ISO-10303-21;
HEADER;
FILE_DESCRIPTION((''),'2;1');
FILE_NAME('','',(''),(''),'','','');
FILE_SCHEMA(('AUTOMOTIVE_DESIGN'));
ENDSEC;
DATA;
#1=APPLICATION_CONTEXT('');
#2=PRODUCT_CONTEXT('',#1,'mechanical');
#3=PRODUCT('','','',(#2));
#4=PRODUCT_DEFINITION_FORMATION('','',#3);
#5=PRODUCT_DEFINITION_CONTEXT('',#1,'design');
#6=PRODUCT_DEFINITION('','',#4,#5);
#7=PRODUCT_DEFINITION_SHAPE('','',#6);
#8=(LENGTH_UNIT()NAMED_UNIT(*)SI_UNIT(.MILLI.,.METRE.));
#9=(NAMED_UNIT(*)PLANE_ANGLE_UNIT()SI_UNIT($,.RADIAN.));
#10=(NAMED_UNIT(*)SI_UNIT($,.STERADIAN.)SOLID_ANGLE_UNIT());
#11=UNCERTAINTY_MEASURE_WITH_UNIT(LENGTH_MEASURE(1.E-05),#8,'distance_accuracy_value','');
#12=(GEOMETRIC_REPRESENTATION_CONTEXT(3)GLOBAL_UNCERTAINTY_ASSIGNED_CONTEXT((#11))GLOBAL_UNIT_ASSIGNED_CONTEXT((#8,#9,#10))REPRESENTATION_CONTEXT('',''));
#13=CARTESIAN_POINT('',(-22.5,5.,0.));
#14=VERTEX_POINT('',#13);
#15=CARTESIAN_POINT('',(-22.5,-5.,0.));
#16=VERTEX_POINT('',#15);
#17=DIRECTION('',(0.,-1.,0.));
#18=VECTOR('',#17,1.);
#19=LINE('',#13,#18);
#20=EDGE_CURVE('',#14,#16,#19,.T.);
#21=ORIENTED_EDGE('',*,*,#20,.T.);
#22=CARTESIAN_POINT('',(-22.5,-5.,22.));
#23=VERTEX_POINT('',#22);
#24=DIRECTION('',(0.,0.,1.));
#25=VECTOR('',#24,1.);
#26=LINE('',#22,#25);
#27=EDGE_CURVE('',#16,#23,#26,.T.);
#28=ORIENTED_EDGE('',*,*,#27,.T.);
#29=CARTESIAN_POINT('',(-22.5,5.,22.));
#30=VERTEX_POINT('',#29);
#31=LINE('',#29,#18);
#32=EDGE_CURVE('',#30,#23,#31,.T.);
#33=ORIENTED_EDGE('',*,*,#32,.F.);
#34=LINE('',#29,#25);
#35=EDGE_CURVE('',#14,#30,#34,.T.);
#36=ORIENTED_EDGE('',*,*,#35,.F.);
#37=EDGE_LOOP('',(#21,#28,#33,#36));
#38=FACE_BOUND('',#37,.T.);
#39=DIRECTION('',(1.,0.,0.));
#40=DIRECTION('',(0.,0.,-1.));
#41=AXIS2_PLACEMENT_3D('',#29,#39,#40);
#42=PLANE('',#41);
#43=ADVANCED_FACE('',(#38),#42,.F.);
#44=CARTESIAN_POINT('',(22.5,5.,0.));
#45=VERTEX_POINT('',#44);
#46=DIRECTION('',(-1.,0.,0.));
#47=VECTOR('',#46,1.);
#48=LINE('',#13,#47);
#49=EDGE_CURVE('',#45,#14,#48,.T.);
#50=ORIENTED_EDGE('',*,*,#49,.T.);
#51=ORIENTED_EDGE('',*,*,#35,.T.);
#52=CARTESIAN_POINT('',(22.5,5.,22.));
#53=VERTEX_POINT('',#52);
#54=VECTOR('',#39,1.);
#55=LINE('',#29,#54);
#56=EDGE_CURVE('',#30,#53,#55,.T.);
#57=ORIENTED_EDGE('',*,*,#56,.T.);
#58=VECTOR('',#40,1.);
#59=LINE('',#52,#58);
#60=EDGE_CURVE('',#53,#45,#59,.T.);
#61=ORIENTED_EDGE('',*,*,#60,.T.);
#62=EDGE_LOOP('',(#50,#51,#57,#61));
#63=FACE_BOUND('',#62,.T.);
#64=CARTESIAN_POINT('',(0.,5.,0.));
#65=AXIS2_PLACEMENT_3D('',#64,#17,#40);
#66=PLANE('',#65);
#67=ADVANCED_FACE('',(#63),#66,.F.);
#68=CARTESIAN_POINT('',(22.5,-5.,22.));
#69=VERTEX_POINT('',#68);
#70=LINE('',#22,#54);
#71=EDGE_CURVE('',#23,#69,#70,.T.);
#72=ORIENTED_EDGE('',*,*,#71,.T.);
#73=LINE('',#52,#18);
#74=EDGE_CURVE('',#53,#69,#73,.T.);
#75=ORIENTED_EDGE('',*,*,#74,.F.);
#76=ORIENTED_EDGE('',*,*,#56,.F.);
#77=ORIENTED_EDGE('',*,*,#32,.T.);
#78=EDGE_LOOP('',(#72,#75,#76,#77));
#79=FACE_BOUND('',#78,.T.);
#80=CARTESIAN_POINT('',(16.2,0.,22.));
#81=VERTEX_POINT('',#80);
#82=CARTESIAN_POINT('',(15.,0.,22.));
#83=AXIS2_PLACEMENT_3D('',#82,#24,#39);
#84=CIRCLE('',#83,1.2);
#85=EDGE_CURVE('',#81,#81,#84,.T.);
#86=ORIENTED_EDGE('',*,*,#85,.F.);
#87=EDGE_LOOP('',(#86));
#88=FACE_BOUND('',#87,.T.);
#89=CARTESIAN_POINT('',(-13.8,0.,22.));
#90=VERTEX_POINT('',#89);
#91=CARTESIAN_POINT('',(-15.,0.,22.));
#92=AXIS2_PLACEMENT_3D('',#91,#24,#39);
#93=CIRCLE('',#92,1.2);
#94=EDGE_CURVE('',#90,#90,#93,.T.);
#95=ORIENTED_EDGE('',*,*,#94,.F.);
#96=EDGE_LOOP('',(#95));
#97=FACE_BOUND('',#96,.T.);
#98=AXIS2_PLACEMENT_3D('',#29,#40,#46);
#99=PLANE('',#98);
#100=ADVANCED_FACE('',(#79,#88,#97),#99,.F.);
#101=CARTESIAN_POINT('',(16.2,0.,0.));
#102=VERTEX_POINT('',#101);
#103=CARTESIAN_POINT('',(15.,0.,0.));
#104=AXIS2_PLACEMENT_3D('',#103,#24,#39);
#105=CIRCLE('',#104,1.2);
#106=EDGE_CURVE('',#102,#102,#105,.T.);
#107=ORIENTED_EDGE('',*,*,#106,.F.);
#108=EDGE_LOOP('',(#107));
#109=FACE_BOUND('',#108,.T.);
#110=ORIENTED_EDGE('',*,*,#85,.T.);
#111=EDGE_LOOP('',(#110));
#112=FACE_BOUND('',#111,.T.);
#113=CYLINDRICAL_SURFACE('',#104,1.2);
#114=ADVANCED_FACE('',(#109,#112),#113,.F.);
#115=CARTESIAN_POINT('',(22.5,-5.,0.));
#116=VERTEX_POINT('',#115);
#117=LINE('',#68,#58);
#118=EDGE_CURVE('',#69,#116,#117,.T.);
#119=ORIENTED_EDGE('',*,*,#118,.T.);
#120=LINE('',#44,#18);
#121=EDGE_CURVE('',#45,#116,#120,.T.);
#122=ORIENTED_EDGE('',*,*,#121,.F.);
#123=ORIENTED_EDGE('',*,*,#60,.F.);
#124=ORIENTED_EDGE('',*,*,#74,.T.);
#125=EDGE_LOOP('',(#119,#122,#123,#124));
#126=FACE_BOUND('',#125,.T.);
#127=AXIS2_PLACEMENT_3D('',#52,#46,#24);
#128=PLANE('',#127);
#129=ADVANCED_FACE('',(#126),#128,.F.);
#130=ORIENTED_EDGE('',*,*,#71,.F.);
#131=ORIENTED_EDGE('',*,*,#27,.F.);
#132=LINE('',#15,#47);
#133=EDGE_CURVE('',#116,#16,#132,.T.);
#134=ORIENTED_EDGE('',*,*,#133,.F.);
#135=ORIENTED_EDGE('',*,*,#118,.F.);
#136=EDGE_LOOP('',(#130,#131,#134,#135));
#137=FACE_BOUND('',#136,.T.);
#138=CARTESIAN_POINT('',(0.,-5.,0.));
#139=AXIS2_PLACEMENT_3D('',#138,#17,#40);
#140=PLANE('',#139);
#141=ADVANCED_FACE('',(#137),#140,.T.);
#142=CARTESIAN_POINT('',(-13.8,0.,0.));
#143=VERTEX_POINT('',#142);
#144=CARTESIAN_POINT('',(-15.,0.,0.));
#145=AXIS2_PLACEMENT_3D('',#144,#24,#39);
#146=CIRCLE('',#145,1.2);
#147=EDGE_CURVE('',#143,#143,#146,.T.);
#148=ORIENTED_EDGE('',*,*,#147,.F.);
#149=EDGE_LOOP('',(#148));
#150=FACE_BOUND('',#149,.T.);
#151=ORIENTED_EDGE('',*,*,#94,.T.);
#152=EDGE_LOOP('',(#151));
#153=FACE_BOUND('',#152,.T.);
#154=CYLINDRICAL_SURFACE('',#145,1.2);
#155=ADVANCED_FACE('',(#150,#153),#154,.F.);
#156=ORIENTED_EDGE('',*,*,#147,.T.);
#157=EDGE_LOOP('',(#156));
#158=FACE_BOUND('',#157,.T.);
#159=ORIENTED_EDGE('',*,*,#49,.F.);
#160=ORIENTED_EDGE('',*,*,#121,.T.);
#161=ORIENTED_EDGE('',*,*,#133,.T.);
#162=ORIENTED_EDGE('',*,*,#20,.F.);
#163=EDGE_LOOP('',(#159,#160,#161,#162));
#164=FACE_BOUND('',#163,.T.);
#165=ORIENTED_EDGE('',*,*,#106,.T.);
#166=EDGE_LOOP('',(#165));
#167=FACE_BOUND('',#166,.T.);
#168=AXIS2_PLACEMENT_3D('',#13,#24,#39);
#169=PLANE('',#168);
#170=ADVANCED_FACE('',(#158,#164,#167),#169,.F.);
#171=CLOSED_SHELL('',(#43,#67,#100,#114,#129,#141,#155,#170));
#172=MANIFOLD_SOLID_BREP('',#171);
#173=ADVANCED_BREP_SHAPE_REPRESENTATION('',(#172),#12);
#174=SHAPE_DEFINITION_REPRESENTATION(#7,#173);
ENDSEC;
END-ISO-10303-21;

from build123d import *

# Parameters (mm, degrees)
ESQUISSE1_W             = 45
ESQUISSE1_H             = 22
BOSS_EXTRU_1_DEPTH      = 5
ESQUISSE2_R             = 1.2
ENL_V_MAT_EXTRU_1_DEPTH = 32.862987933


with BuildPart() as part:
    # Esquisse1 → Boss.-Extru.1 (new, symmetric)
    with BuildSketch(Plane(origin=(0, 0, 0), x_dir=(1, 0, 0), z_dir=(0, 1, 0))):
        with Locations((0, -11)):
            Rectangle(ESQUISSE1_W, ESQUISSE1_H)
    extrude(amount=BOSS_EXTRU_1_DEPTH, both=True)

    # Esquisse2 → Enlèv. mat.-Extru.1 (cut, through all)
    with BuildSketch(Plane.XY.offset(22)):
        with Locations((-15, 0)):
            Circle(ESQUISSE2_R)
        with Locations((15, 0)):
            Circle(ESQUISSE2_R)
    extrude(amount=-ENL_V_MAT_EXTRU_1_DEPTH, mode=Mode.SUBTRACT)


solid = part.part
